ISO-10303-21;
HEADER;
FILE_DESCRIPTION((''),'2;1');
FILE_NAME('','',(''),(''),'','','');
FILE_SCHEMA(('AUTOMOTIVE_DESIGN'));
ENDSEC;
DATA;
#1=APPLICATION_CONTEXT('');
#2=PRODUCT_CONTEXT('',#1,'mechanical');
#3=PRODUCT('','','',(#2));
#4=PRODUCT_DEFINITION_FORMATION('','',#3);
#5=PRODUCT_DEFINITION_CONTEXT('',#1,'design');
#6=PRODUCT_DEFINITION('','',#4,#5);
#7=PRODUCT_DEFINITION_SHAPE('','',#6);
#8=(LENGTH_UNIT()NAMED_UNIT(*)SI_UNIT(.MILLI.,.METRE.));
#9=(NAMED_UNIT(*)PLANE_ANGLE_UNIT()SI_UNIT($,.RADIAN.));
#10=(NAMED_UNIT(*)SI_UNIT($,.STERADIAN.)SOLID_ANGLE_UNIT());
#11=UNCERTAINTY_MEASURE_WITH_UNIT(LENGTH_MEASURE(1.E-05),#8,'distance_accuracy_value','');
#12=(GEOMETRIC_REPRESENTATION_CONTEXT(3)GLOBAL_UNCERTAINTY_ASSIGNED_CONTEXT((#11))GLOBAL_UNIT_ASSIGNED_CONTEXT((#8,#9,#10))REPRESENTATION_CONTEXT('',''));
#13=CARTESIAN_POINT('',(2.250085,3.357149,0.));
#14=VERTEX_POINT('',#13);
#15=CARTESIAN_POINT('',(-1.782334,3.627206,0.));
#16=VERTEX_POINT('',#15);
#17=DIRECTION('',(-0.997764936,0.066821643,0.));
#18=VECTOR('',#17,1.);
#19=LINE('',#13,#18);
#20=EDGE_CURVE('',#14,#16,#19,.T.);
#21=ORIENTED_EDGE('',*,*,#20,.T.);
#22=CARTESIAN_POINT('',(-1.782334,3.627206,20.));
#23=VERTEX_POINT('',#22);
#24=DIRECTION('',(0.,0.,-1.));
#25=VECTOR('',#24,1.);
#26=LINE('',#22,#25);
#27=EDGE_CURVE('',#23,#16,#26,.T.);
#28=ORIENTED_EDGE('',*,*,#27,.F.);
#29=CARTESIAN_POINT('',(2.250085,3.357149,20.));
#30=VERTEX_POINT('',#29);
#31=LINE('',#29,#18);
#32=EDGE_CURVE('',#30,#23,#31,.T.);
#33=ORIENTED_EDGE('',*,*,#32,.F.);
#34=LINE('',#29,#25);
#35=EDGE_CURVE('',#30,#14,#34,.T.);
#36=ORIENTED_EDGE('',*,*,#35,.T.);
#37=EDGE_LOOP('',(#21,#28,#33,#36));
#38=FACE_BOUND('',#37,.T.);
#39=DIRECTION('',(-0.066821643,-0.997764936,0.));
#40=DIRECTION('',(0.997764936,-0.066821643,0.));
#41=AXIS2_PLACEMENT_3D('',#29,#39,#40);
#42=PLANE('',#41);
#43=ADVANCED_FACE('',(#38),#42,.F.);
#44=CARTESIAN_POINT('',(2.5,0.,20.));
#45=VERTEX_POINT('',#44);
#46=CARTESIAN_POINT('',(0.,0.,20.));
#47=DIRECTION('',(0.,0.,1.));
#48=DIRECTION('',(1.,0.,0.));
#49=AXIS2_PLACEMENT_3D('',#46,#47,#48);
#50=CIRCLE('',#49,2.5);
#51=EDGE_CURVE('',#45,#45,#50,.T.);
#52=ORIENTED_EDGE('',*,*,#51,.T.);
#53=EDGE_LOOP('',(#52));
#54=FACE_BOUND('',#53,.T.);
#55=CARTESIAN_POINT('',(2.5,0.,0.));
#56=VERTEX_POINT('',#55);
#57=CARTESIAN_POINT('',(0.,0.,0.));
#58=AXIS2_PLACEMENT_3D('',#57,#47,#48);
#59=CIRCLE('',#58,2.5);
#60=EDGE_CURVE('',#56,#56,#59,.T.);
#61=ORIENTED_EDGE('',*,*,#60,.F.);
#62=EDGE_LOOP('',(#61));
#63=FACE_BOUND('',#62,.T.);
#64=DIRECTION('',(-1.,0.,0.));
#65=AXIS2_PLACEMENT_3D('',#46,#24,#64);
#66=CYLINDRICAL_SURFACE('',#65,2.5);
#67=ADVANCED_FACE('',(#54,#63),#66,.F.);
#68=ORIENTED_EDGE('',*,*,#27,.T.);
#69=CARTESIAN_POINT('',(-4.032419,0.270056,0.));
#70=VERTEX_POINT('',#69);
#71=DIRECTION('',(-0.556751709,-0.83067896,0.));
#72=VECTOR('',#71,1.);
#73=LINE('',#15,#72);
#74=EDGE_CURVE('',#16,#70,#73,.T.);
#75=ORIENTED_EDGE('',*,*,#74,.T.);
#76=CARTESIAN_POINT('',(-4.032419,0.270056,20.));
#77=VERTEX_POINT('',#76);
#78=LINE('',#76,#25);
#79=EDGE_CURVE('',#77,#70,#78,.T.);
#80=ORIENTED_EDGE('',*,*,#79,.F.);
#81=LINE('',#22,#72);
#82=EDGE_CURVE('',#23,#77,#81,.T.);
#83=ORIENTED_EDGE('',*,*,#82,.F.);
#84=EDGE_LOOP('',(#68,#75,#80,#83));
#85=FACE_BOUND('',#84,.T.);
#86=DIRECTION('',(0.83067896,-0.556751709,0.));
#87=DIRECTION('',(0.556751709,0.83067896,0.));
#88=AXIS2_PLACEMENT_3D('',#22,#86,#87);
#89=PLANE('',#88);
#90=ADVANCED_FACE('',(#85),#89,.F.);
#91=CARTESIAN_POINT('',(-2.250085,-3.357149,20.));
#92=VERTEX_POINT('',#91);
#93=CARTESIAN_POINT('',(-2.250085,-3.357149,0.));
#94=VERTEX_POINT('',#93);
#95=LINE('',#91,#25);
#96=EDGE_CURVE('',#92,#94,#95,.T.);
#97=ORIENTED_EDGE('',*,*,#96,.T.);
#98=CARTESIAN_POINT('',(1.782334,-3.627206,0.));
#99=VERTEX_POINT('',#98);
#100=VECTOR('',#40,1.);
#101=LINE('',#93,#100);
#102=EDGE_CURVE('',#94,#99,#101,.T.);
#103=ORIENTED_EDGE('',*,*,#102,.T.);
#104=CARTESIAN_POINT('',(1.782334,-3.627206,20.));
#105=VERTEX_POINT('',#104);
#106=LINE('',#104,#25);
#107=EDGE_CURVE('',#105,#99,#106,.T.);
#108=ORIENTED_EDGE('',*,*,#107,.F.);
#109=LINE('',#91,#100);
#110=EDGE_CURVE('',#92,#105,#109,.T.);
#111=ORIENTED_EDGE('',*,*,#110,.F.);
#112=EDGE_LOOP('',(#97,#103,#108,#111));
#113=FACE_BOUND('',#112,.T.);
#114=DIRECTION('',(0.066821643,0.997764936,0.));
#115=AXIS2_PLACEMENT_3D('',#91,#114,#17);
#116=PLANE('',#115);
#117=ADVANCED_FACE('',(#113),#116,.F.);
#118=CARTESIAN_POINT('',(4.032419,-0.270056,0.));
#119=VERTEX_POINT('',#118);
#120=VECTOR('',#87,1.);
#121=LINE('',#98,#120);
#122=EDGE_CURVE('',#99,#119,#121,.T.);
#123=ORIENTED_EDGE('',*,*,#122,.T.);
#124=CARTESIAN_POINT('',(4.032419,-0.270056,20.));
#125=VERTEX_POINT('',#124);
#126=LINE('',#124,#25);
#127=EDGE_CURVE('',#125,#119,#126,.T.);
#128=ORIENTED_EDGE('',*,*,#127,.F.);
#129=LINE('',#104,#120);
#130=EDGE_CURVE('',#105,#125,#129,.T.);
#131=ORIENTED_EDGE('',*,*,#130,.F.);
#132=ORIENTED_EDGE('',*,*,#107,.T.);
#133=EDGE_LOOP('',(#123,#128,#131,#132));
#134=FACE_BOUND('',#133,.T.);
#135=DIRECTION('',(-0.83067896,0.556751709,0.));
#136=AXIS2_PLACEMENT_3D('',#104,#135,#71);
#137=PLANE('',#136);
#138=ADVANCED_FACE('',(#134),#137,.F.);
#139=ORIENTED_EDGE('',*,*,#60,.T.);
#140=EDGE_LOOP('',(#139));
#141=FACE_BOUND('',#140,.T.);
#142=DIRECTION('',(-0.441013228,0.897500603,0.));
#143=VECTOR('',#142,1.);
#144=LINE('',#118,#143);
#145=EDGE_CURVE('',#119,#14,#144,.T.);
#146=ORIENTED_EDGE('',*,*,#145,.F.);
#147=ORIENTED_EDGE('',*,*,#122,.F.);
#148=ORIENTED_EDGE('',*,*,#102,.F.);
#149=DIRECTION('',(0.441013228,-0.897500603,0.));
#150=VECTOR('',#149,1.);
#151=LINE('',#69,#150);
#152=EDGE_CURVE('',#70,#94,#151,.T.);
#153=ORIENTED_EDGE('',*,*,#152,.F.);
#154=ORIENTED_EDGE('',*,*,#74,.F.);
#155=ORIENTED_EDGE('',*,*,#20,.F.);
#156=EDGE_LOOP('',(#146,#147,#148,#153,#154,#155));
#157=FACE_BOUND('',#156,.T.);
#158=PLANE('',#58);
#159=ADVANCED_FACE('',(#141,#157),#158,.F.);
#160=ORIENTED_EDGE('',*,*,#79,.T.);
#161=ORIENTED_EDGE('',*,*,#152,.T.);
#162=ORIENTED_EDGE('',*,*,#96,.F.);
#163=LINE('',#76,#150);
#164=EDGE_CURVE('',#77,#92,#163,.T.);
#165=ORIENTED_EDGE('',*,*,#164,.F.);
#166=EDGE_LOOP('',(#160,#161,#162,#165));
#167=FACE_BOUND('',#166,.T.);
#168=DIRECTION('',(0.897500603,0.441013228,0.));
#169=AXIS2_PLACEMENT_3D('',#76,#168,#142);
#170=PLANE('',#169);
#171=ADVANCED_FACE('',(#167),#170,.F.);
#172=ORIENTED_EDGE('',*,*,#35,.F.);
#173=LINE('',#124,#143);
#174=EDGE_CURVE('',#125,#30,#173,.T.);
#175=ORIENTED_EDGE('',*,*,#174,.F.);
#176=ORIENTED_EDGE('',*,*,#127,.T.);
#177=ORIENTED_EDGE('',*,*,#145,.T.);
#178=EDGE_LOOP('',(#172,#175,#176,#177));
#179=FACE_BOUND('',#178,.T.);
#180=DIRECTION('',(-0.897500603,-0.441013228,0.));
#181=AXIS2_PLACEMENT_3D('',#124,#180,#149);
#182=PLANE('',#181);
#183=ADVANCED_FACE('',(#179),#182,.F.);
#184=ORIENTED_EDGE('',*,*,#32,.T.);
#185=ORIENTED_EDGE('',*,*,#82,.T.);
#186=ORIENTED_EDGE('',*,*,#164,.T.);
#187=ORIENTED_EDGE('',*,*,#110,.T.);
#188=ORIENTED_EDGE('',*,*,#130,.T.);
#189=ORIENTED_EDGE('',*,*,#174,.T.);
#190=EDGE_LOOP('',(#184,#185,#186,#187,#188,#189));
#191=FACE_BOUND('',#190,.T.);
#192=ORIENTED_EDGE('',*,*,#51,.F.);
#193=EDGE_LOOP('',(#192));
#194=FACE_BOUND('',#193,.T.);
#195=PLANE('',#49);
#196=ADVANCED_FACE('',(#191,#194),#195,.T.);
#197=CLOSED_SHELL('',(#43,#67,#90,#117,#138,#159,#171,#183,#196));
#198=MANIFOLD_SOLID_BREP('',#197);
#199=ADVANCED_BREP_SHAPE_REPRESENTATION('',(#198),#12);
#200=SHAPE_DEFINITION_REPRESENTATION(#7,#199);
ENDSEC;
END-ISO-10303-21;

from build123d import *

# Parameters (mm, degrees)
SKETCH1_R           = 2.5
BOSS_EXTRUDE1_DEPTH = 20


with BuildPart() as part:
    # Sketch1 → Boss-Extrude1 (new body)
    with BuildSketch(Plane.XY):
        Polygon((1.782333739, -3.627205505), (4.032418982, -0.270056456), (2.250085242, 3.357149049), (-1.782333739, 3.627205505), (-4.032418982, 0.270056456), (-2.250085242, -3.357149049), align=None)
        Circle(SKETCH1_R, mode=Mode.SUBTRACT)
    extrude(amount=BOSS_EXTRUDE1_DEPTH)


solid = part.part
